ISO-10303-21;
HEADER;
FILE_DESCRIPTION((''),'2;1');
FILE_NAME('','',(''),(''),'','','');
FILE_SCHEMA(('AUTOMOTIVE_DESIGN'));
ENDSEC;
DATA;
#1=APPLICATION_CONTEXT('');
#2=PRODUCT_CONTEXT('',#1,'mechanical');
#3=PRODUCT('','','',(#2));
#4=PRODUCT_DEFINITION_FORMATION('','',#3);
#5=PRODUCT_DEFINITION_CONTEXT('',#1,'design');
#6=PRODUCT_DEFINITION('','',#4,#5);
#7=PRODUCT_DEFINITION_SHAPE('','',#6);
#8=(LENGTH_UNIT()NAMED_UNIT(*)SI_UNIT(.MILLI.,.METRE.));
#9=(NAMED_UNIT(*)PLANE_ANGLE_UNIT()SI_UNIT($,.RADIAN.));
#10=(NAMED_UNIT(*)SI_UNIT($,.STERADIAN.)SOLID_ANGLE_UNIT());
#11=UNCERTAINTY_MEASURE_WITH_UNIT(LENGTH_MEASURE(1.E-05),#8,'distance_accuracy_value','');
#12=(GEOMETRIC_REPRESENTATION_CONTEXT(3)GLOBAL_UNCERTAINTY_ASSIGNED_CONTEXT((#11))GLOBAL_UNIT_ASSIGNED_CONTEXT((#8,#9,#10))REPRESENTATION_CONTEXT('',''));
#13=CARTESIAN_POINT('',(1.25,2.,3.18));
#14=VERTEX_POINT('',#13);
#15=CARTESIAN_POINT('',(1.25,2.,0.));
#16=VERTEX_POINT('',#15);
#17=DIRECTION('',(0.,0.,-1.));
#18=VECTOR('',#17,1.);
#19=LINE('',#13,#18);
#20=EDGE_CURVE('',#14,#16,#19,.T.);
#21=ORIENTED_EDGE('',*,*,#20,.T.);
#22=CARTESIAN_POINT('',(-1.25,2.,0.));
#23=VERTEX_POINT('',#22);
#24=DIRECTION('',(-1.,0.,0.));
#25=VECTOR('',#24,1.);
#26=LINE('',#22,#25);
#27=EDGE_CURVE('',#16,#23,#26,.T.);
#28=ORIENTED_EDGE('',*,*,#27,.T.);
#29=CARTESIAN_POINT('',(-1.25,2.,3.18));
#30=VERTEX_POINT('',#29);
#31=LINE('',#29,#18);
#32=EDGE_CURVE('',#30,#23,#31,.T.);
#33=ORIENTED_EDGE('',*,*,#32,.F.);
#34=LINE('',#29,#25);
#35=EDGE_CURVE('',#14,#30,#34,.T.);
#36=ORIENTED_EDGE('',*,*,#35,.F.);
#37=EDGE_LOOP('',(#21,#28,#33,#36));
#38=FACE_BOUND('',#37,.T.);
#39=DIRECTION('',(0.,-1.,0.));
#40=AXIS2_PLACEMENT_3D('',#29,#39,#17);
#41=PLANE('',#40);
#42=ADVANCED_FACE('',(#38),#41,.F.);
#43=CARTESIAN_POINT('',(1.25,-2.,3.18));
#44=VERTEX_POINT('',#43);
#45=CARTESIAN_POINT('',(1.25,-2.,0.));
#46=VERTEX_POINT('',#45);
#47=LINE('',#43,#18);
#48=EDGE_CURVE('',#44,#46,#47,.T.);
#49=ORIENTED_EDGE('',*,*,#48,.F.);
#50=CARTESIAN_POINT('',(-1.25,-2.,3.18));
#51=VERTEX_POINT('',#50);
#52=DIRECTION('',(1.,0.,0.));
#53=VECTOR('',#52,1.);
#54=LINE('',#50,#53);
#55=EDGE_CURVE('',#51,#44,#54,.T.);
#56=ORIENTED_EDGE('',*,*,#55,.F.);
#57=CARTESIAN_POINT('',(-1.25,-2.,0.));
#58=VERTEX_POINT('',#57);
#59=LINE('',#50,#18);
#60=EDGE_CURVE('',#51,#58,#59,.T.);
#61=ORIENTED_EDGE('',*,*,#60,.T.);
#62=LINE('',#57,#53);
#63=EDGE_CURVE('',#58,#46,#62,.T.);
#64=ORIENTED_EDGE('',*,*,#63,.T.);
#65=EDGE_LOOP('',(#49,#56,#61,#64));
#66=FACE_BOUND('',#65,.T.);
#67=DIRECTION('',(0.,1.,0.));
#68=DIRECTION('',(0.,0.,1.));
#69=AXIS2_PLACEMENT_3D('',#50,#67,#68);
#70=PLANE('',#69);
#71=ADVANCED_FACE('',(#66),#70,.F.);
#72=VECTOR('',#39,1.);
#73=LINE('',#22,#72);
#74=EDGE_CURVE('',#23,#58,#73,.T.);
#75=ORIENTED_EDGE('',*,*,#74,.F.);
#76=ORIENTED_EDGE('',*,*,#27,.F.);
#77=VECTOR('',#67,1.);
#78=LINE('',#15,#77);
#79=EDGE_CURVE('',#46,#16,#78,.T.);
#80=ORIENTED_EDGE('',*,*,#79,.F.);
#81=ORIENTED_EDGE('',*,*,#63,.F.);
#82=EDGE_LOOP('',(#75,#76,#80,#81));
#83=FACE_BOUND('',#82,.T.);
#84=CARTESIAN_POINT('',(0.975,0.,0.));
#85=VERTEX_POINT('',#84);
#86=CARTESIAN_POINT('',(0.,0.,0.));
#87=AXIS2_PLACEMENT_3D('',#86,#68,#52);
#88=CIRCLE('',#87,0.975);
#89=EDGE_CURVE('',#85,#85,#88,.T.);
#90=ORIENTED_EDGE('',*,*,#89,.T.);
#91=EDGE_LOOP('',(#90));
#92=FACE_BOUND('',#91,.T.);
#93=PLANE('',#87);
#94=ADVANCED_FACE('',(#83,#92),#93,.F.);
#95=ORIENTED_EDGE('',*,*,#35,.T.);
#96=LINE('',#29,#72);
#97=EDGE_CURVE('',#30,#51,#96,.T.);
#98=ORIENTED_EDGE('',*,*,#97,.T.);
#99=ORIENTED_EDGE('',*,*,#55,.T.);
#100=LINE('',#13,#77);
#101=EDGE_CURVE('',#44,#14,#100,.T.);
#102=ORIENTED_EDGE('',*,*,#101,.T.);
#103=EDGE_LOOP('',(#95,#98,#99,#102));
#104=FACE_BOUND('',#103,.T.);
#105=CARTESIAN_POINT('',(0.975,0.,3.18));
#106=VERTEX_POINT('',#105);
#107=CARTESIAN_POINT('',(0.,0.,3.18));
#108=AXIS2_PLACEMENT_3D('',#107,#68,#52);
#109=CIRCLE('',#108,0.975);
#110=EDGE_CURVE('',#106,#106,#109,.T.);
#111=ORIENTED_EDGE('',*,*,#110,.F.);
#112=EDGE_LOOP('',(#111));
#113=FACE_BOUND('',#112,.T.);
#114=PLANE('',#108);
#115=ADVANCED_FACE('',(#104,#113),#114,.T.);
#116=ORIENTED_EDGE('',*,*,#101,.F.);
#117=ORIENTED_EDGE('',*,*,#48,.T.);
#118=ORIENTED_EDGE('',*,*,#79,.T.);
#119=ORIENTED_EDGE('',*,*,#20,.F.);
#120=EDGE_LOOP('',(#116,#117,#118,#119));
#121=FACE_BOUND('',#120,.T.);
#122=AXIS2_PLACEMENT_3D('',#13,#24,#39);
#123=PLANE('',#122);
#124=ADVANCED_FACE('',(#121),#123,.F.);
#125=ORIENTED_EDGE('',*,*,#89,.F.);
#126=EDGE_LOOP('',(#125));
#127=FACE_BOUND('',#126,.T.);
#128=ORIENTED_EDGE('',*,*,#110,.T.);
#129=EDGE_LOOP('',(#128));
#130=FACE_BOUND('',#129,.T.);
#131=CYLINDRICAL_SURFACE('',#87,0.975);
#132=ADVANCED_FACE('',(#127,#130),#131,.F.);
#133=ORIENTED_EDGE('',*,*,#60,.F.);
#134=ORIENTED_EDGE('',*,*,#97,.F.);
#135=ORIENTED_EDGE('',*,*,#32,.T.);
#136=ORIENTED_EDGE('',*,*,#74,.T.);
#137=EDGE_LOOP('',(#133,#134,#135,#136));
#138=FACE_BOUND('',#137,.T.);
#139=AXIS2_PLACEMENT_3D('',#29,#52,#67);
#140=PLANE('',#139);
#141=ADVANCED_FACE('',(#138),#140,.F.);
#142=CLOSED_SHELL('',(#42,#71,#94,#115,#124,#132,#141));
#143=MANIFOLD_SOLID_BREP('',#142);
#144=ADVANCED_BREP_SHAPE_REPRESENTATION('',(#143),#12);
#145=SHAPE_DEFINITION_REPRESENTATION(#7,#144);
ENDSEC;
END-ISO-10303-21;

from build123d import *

# Parameters (mm, degrees)
SKETCH2_W           = 2.5
SKETCH2_H           = 4
BOSS_EXTRUDE1_DEPTH = 3.18
SKETCH3_R           = 0.975
CUT_EXTRUDE1_DEPTH  = 4.18


with BuildPart() as part:
    # Sketch2 → Boss-Extrude1 (new body)
    with BuildSketch(Plane.XY):
        Rectangle(SKETCH2_W, SKETCH2_H)
    extrude(amount=BOSS_EXTRUDE1_DEPTH)

    # Sketch3 → Cut-Extrude1 (cut, through all)
    with BuildSketch(Plane.XY.offset(3.18)):
        Circle(SKETCH3_R)
    extrude(amount=-CUT_EXTRUDE1_DEPTH, mode=Mode.SUBTRACT)


solid = part.part
